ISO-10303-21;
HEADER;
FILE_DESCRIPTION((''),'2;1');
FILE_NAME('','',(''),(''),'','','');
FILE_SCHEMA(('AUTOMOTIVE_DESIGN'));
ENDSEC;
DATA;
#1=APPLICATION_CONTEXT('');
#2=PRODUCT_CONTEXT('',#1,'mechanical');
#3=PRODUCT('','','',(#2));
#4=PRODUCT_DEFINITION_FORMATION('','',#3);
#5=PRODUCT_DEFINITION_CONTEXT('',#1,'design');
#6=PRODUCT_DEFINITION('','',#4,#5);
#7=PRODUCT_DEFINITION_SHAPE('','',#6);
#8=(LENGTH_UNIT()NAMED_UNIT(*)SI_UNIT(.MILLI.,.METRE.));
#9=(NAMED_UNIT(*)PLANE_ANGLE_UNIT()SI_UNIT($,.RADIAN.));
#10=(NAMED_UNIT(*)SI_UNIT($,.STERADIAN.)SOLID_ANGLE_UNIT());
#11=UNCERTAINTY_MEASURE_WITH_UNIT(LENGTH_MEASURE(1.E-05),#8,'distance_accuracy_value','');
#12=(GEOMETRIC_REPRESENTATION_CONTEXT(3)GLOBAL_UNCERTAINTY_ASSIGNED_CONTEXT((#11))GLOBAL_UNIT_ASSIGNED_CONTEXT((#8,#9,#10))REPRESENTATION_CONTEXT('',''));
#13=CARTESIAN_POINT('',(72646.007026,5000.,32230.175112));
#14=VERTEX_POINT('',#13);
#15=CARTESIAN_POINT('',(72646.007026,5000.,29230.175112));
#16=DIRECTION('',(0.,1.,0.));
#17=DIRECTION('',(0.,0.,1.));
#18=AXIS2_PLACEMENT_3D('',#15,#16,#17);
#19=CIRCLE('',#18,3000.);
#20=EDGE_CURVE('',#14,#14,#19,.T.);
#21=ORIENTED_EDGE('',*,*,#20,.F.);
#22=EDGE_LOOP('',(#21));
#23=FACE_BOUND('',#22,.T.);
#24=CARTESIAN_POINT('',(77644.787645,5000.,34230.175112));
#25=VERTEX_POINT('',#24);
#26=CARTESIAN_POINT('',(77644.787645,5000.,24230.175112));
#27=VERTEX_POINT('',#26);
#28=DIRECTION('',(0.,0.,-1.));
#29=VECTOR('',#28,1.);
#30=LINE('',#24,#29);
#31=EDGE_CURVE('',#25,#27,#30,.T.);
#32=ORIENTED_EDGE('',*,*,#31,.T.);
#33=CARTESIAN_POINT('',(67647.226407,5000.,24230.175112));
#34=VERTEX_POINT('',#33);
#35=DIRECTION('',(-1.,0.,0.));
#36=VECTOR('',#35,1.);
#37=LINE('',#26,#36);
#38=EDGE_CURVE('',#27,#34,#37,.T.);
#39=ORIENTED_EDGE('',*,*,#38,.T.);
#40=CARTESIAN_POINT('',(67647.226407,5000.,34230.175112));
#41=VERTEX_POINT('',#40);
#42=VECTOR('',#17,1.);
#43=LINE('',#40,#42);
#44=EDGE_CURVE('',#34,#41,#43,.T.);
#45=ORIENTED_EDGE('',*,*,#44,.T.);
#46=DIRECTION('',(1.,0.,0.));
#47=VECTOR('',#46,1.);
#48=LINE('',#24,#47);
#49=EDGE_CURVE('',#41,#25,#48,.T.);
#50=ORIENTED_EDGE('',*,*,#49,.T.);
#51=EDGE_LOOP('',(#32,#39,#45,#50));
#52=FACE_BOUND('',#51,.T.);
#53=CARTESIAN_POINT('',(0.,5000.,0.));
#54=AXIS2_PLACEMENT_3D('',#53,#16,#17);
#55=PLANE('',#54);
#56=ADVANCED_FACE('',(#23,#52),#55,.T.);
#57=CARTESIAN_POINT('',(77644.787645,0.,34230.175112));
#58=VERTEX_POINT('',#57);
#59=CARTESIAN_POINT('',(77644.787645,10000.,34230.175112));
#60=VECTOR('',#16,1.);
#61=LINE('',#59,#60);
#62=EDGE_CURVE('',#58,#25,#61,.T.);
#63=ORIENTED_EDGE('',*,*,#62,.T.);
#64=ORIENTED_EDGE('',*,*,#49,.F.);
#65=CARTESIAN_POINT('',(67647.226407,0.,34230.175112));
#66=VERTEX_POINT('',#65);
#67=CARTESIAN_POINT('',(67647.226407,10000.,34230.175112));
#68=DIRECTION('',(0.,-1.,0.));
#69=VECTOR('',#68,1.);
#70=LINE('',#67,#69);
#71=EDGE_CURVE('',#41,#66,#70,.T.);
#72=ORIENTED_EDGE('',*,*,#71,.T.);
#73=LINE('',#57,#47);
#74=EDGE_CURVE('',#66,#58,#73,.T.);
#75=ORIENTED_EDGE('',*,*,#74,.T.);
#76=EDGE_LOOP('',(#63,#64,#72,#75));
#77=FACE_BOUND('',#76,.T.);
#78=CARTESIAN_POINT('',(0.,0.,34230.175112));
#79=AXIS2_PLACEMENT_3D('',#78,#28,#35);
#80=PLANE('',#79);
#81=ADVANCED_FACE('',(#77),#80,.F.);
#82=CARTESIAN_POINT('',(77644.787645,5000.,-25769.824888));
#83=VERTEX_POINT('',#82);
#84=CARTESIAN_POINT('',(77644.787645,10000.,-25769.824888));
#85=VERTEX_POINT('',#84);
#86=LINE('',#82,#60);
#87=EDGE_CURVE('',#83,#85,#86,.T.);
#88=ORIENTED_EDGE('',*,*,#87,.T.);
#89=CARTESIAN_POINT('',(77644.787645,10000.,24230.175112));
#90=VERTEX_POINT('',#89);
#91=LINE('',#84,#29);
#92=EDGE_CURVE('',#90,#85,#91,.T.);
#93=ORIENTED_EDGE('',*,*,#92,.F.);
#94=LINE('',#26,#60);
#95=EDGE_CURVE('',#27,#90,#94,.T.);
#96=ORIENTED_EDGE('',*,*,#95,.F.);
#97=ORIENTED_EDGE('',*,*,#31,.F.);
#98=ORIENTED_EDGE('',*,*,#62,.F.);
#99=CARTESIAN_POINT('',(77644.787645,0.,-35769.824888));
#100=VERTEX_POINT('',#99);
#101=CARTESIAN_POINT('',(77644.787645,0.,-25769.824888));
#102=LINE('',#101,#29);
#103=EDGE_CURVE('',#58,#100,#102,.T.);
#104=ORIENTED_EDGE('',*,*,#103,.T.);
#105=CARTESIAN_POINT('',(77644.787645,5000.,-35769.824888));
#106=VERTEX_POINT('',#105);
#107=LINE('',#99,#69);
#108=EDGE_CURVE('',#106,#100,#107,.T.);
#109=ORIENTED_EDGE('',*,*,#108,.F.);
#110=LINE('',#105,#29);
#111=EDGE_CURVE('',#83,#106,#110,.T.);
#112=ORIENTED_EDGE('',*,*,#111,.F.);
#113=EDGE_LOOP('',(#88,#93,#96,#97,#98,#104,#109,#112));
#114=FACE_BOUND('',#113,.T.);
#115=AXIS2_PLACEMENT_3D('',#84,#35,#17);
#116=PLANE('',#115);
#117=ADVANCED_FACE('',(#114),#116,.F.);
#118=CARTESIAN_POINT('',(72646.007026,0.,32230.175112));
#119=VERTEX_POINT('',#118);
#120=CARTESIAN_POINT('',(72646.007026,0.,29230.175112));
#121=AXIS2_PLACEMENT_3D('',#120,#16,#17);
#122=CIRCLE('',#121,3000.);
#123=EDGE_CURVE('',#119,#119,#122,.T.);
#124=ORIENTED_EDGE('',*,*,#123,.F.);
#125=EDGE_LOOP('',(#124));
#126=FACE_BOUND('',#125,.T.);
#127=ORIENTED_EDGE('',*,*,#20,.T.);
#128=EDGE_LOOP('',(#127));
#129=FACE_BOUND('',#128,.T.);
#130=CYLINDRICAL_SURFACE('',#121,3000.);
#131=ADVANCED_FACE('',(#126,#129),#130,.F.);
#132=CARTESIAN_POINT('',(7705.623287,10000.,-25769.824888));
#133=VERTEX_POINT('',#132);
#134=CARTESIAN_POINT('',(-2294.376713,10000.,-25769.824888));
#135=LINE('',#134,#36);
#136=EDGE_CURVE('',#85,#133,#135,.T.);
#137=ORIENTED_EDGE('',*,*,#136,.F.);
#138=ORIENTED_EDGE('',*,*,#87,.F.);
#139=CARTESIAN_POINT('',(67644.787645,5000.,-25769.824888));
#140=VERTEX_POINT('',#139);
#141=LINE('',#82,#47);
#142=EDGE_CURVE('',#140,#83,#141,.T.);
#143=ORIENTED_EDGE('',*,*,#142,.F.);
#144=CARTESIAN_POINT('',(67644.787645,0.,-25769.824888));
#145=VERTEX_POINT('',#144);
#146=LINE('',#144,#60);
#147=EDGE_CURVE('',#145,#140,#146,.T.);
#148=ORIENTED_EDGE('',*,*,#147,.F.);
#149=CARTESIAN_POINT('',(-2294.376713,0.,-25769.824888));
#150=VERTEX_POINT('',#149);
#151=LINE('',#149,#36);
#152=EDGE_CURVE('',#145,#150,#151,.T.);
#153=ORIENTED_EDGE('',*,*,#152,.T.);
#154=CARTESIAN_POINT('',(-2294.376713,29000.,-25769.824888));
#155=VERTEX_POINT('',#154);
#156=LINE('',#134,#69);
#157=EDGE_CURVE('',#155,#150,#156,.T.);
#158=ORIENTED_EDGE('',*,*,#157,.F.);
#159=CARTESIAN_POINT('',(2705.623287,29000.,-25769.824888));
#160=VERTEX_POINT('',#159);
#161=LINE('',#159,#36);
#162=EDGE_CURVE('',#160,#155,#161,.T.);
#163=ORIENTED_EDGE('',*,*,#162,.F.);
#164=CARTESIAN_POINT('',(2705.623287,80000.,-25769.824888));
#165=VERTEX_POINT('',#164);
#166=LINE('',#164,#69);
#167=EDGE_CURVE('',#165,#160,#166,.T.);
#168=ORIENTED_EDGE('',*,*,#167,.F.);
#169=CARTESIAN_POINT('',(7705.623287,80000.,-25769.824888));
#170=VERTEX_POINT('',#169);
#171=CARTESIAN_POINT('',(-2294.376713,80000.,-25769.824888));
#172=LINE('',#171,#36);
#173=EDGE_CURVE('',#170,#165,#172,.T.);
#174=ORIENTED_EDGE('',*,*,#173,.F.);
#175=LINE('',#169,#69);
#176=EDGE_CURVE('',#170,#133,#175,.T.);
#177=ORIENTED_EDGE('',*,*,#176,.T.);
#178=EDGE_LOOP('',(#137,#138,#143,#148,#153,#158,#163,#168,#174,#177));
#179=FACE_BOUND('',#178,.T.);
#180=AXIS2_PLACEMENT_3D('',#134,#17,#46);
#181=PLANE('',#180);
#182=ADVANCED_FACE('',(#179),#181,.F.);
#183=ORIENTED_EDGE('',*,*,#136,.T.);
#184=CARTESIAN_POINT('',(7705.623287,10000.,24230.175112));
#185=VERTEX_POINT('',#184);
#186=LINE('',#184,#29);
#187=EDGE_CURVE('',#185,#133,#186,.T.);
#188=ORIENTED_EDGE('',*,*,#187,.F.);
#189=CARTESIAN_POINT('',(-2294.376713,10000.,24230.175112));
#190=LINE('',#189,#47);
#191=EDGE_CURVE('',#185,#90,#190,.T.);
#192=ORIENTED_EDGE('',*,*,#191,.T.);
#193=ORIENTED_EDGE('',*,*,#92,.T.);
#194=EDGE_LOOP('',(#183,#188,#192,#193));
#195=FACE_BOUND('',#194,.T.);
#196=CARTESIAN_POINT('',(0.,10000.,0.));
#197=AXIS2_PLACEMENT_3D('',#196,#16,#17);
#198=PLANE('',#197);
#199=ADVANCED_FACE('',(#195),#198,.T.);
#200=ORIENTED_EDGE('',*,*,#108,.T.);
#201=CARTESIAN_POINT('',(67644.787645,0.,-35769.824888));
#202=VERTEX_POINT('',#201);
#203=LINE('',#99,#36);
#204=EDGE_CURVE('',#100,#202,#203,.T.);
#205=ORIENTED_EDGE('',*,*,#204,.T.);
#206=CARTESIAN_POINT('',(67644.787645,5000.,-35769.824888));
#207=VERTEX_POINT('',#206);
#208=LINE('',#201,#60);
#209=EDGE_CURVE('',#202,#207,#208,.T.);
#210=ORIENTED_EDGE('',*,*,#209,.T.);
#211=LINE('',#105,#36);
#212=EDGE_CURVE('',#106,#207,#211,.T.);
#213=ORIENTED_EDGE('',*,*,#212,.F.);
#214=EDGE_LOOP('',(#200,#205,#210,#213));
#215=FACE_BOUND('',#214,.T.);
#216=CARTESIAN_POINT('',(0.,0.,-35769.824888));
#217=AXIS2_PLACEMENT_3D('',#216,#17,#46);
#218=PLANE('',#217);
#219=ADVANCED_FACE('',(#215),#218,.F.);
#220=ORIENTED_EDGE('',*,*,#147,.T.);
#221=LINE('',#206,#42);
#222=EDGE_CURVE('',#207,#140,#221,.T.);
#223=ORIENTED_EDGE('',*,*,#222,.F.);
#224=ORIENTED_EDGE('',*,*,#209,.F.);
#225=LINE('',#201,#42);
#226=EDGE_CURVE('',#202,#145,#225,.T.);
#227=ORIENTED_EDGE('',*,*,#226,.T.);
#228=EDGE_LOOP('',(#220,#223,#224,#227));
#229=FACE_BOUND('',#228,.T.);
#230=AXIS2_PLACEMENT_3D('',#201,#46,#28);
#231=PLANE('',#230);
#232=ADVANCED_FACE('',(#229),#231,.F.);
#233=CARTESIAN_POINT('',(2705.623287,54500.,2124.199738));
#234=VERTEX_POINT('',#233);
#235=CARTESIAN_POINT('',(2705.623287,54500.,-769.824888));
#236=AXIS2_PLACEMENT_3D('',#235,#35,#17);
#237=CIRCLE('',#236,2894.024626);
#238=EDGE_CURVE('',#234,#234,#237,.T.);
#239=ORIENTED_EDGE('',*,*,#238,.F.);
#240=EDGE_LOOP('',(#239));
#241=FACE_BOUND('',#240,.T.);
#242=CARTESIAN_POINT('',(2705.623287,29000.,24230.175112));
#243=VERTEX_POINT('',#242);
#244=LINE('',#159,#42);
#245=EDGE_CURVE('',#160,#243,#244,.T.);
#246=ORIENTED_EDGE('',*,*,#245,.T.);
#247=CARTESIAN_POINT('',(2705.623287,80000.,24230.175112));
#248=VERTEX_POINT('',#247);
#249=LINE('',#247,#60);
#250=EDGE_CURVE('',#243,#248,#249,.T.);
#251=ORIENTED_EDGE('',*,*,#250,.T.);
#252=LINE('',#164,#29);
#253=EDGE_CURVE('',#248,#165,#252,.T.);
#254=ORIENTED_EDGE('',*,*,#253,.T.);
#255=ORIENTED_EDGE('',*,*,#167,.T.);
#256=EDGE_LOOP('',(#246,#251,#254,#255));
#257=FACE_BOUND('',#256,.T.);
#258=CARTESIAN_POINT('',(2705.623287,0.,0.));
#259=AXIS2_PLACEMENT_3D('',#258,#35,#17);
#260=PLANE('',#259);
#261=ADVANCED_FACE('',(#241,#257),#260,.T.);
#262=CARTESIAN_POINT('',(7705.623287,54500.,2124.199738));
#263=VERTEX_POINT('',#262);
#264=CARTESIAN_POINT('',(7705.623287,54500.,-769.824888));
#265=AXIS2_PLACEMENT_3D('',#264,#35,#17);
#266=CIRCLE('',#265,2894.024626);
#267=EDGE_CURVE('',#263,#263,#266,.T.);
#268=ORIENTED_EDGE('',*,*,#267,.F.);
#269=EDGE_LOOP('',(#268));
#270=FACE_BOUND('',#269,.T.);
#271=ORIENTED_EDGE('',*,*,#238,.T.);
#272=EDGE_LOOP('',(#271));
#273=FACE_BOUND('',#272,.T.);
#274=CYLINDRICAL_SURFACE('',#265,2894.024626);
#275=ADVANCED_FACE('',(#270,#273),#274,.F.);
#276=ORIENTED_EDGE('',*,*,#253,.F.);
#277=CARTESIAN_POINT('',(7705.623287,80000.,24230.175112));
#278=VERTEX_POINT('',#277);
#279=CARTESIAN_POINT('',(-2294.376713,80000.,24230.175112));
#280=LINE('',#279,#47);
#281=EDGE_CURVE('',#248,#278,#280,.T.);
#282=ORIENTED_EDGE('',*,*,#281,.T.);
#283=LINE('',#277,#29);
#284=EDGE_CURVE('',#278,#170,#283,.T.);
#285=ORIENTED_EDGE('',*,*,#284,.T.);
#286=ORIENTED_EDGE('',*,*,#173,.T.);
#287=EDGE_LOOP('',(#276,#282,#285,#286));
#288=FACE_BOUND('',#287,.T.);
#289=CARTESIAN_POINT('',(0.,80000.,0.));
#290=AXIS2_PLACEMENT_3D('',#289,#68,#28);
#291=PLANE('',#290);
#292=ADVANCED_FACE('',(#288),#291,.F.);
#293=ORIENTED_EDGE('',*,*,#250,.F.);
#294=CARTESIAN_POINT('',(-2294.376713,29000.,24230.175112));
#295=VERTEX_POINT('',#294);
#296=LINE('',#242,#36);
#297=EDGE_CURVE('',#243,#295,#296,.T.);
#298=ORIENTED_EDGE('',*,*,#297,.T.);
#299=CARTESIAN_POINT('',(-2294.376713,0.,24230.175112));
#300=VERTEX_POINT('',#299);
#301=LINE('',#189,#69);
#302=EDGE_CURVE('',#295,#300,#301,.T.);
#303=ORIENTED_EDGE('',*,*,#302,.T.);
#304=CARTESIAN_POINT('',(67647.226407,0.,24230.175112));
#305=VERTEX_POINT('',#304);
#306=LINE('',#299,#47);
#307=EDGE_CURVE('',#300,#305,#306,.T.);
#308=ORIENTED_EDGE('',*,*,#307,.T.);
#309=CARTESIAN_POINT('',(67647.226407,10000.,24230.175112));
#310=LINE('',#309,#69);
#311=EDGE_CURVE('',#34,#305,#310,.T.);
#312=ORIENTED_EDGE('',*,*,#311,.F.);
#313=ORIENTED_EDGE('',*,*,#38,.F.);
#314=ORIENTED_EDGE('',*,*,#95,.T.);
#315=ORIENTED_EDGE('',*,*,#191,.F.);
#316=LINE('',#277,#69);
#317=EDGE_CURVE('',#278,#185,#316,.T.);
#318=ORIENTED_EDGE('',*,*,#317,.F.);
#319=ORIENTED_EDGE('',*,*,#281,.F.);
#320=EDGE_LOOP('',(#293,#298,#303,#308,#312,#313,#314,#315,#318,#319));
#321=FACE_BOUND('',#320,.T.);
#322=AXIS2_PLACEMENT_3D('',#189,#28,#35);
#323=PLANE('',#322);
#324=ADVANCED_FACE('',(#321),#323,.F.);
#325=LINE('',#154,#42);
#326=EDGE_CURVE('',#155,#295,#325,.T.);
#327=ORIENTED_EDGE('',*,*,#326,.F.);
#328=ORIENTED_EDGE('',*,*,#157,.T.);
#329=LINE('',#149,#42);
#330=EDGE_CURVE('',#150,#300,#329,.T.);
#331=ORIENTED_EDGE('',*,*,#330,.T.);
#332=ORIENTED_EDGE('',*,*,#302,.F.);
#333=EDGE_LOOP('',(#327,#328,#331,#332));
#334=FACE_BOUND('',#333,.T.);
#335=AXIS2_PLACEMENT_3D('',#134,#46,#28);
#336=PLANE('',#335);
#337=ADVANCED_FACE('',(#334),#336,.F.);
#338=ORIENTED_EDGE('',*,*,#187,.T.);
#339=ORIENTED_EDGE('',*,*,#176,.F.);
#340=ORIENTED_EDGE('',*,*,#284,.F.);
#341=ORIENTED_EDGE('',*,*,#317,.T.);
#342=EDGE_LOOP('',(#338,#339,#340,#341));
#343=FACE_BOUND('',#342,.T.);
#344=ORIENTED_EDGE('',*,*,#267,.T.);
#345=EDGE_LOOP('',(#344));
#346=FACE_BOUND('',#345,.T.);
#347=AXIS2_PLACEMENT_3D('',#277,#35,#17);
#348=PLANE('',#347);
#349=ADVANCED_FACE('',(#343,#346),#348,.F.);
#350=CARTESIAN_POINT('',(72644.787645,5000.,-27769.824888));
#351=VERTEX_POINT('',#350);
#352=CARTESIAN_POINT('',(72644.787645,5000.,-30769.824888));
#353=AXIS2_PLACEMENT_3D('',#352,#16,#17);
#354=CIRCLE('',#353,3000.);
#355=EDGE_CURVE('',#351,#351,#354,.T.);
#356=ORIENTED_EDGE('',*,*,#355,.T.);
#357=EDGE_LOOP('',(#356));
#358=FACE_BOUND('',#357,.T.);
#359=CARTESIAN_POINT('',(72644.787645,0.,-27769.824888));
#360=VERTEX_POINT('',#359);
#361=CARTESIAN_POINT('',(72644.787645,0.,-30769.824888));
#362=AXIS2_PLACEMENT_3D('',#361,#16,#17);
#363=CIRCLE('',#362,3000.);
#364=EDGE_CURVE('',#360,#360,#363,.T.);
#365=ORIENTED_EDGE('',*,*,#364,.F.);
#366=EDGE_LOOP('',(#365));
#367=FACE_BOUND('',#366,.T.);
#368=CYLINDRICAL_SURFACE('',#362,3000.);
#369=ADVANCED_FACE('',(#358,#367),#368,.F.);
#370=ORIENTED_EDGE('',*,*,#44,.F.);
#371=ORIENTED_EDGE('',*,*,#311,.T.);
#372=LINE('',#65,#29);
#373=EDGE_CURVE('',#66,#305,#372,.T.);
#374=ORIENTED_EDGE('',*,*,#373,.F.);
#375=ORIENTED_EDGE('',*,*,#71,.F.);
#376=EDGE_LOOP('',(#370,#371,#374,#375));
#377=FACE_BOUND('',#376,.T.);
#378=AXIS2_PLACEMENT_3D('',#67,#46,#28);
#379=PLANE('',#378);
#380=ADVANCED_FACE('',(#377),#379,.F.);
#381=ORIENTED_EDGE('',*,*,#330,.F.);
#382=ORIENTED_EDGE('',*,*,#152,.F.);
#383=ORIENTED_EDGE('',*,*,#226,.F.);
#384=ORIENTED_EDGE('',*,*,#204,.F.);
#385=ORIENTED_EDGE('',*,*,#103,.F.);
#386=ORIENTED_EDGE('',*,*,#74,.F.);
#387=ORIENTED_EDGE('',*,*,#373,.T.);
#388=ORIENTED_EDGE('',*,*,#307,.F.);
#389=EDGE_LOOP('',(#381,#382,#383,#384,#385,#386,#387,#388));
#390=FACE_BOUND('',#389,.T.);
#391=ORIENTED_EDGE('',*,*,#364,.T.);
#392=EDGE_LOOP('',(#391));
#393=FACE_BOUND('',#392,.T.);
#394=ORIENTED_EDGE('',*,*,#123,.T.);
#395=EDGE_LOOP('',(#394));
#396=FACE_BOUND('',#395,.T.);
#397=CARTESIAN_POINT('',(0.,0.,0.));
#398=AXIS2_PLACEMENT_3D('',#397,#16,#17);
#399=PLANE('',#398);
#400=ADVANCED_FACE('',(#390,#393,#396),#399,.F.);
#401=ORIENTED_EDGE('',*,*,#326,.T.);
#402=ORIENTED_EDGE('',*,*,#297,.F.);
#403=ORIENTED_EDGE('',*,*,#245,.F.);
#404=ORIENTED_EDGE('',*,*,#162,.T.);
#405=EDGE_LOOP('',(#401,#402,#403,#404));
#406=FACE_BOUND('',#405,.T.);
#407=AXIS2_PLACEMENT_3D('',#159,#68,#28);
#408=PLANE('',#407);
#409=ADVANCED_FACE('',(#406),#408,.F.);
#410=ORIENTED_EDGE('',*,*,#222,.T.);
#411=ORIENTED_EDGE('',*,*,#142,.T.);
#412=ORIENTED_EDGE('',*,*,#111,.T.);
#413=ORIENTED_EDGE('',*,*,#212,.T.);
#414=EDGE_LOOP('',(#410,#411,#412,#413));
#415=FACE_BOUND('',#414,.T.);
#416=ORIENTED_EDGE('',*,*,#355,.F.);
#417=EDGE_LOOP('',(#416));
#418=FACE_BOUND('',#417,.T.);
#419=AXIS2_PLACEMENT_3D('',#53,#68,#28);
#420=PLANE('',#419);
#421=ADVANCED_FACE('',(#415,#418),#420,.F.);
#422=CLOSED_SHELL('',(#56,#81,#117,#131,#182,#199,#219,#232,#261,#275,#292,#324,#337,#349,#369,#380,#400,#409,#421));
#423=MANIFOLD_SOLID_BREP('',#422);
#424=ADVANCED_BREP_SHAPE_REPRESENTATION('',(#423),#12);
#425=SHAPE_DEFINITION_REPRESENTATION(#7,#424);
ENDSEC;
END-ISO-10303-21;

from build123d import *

# Parameters (mm, degrees)
SKETCH1_W           = 79939.164357761
SKETCH1_H           = 50000
BOSS_EXTRUDE2_DEPTH = 10000
SKETCH5_W           = 9997.561237483
SKETCH5_H           = 10000
BOSS_EXTRUDE3_DEPTH = 10000
SKETCH6_W           = 9997.561237483
SKETCH6_H           = 10000
CUT_EXTRUDE1_DEPTH  = 5000
SKETCH9_W           = 10000
SKETCH9_H           = 10000
BOSS_EXTRUDE5_DEPTH = 10000
SKETCH11_W          = 10000
SKETCH11_H          = 10000
CUT_EXTRUDE3_DEPTH  = 5000
SKETCH13_R          = 3000
CUT_EXTRUDE5_DEPTH  = 5000
SKETCH14_R          = 3000
CUT_EXTRUDE6_DEPTH  = 5000
SKETCH15_W          = 10000
SKETCH15_H          = 50000
BOSS_EXTRUDE6_DEPTH = 70000
SKETCH16_W          = 50000
SKETCH16_H          = 51000
CUT_EXTRUDE7_DEPTH  = 5000
SKETCH17_R          = 2894.024625878
CUT_EXTRUDE8_DEPTH  = 5000


with BuildPart() as part:
    # Sketch1 → Boss-Extrude2 (new body)
    with BuildSketch(Plane(origin=(0, 0, 0), x_dir=(1, 0, 0), z_dir=(0, 1, 0))):
        with Locations((37675.205465908, 769.824887906)):
            Rectangle(SKETCH1_W, SKETCH1_H)
    extrude(amount=BOSS_EXTRUDE2_DEPTH)

    # Sketch5 → Boss-Extrude3 (add)
    with BuildSketch(Plane.XY.offset(24230.175112094)):
        with Locations((72646.007026047, 5000)):
            Rectangle(SKETCH5_W, SKETCH5_H)
    extrude(amount=BOSS_EXTRUDE3_DEPTH)

    # Sketch6 → Cut-Extrude1 (cut)
    with BuildSketch(Plane(origin=(0, 10000, 0), x_dir=(1, 0, 0), z_dir=(0, 1, 0))):
        with Locations((72646.007026047, -29230.175112094)):
            Rectangle(SKETCH6_W, SKETCH6_H)
    extrude(amount=-CUT_EXTRUDE1_DEPTH, mode=Mode.SUBTRACT)

    # Sketch9 → Boss-Extrude5 (add)
    with BuildSketch(Plane(origin=(0, 0, -25769.824887906), x_dir=(-1, 0, 0), z_dir=(0, 0, -1))):
        with Locations((-72644.787644788, 5000)):
            Rectangle(SKETCH9_W, SKETCH9_H)
    extrude(amount=BOSS_EXTRUDE5_DEPTH)

    # Sketch11 → Cut-Extrude3 (cut)
    with BuildSketch(Plane(origin=(0, 10000, 0), x_dir=(1, 0, 0), z_dir=(0, 1, 0))):
        with Locations((72644.787644788, 30769.824887906)):
            Rectangle(SKETCH11_W, SKETCH11_H)
    extrude(amount=-CUT_EXTRUDE3_DEPTH, mode=Mode.SUBTRACT)

    # Sketch13 → Cut-Extrude5 (cut)
    with BuildSketch(Plane(origin=(0, 5000, 0), x_dir=(1, 0, 0), z_dir=(0, 1, 0))):
        with Locations((72646.007026046, -29230.175112094)):
            Circle(SKETCH13_R)
    extrude(amount=-CUT_EXTRUDE5_DEPTH, mode=Mode.SUBTRACT)

    # Sketch14 → Cut-Extrude6 (cut)
    with BuildSketch(Plane(origin=(0, 5000, 0), x_dir=(1, 0, 0), z_dir=(0, 1, 0))):
        with Locations((72644.787644788, 30769.824887906)):
            Circle(SKETCH14_R)
    extrude(amount=-CUT_EXTRUDE6_DEPTH, mode=Mode.SUBTRACT)

    # Sketch15 → Boss-Extrude6 (add)
    with BuildSketch(Plane(origin=(0, 10000, 0), x_dir=(1, 0, 0), z_dir=(0, 1, 0))):
        with Locations((2705.623287027, 769.824887906)):
            Rectangle(SKETCH15_W, SKETCH15_H)
    extrude(amount=BOSS_EXTRUDE6_DEPTH)

    # Sketch16 → Cut-Extrude7 (cut)
    with BuildSketch(Plane.ZY.offset(2294.376712973)):
        with Locations((-769.824887906, 54500)):
            Rectangle(SKETCH16_W, SKETCH16_H)
    extrude(amount=-CUT_EXTRUDE7_DEPTH, mode=Mode.SUBTRACT)

    # Sketch17 → Cut-Extrude8 (cut)
    with BuildSketch(Plane.ZY.offset(-2705.623287027)):
        with Locations((-769.824887906, 54500)):
            Circle(SKETCH17_R)
    extrude(amount=-CUT_EXTRUDE8_DEPTH, mode=Mode.SUBTRACT)


solid = part.part
